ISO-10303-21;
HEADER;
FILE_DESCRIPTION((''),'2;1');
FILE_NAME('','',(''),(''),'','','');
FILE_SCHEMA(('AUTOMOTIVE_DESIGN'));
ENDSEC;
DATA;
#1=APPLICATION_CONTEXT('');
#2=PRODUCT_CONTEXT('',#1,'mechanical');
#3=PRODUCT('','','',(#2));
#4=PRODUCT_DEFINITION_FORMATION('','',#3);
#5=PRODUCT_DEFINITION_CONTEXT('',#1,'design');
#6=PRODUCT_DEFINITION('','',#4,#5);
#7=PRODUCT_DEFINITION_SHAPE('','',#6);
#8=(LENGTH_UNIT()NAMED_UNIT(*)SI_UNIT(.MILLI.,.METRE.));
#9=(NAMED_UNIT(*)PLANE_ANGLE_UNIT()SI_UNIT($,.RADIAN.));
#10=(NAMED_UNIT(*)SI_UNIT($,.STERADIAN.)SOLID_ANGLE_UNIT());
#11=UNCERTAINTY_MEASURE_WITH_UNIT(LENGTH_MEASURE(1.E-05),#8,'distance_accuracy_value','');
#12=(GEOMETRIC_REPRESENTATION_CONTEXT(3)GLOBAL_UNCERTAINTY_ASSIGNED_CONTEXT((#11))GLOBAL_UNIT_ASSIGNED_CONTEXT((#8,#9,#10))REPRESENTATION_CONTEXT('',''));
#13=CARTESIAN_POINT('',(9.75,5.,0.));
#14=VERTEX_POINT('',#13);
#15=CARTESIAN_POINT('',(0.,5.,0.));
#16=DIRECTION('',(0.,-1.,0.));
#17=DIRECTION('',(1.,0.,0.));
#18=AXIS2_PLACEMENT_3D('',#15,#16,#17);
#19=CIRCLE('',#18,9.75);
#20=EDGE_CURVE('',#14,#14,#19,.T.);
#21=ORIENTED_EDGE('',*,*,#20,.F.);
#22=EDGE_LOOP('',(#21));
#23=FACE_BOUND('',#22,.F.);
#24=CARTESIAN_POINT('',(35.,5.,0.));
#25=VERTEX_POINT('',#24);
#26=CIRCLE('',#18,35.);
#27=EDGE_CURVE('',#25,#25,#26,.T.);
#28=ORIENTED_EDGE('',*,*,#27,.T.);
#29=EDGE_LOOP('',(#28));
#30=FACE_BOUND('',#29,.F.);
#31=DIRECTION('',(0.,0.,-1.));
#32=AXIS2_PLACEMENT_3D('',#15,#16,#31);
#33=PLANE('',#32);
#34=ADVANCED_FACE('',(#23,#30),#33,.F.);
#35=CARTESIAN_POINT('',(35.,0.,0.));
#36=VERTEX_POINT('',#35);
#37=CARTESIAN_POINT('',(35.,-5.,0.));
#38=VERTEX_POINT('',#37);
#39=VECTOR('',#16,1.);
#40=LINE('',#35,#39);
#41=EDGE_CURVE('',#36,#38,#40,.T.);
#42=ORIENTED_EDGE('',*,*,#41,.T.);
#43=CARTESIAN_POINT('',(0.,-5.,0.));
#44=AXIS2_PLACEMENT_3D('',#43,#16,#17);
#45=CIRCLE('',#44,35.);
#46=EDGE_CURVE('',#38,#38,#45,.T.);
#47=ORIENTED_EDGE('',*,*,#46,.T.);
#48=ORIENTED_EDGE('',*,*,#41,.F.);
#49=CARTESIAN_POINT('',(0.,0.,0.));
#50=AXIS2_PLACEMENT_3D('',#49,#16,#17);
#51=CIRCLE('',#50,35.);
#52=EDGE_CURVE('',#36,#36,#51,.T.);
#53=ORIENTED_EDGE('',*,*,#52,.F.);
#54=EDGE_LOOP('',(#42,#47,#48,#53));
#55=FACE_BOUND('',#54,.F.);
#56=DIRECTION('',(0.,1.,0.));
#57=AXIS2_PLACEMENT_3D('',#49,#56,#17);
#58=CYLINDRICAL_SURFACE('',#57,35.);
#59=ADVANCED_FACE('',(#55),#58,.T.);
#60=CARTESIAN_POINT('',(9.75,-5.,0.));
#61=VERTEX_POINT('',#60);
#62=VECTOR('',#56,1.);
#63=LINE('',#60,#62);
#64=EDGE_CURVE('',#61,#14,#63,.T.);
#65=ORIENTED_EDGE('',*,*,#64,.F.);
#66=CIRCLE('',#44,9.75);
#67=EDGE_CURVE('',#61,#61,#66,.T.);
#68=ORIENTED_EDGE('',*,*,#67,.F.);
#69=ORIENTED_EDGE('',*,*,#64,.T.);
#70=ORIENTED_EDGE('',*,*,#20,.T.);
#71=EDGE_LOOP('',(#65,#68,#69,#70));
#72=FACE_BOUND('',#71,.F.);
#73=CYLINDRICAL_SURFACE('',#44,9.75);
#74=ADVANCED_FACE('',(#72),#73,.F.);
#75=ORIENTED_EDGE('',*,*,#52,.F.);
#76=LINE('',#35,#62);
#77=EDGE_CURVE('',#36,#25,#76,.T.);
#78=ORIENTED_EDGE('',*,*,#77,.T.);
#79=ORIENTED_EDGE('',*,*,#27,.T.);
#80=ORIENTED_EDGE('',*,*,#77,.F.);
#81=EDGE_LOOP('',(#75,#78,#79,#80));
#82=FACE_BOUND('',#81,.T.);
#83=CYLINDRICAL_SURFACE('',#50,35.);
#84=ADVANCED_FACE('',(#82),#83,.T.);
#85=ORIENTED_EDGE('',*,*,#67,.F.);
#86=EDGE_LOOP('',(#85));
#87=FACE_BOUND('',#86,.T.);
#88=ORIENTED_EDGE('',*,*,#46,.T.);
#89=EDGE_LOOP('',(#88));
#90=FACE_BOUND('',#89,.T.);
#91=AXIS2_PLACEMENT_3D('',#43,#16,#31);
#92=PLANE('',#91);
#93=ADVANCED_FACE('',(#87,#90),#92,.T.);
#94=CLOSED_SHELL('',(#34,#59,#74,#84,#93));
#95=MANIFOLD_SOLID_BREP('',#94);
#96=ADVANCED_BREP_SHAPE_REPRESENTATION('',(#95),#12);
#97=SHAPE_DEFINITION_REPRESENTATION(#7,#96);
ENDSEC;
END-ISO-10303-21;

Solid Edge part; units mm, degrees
sketch "Sketch1" plane through (0, 0, 0) normal (0, -1, 0) x (1, 0, 0)
  circle A0 centre (0, 0) radius 35
extrude "Protrusion1" add sketch "Sketch1" along normal mid plane 10
sketch "Sketch2" plane through (0, -5, 0) normal (0, -1, 0) x (1, 0, 0)
  circle A0 centre (0, 0) radius 9.75
extrude "Ausschnitt_1" cut sketch "Sketch2" against normal blind 75.4836
